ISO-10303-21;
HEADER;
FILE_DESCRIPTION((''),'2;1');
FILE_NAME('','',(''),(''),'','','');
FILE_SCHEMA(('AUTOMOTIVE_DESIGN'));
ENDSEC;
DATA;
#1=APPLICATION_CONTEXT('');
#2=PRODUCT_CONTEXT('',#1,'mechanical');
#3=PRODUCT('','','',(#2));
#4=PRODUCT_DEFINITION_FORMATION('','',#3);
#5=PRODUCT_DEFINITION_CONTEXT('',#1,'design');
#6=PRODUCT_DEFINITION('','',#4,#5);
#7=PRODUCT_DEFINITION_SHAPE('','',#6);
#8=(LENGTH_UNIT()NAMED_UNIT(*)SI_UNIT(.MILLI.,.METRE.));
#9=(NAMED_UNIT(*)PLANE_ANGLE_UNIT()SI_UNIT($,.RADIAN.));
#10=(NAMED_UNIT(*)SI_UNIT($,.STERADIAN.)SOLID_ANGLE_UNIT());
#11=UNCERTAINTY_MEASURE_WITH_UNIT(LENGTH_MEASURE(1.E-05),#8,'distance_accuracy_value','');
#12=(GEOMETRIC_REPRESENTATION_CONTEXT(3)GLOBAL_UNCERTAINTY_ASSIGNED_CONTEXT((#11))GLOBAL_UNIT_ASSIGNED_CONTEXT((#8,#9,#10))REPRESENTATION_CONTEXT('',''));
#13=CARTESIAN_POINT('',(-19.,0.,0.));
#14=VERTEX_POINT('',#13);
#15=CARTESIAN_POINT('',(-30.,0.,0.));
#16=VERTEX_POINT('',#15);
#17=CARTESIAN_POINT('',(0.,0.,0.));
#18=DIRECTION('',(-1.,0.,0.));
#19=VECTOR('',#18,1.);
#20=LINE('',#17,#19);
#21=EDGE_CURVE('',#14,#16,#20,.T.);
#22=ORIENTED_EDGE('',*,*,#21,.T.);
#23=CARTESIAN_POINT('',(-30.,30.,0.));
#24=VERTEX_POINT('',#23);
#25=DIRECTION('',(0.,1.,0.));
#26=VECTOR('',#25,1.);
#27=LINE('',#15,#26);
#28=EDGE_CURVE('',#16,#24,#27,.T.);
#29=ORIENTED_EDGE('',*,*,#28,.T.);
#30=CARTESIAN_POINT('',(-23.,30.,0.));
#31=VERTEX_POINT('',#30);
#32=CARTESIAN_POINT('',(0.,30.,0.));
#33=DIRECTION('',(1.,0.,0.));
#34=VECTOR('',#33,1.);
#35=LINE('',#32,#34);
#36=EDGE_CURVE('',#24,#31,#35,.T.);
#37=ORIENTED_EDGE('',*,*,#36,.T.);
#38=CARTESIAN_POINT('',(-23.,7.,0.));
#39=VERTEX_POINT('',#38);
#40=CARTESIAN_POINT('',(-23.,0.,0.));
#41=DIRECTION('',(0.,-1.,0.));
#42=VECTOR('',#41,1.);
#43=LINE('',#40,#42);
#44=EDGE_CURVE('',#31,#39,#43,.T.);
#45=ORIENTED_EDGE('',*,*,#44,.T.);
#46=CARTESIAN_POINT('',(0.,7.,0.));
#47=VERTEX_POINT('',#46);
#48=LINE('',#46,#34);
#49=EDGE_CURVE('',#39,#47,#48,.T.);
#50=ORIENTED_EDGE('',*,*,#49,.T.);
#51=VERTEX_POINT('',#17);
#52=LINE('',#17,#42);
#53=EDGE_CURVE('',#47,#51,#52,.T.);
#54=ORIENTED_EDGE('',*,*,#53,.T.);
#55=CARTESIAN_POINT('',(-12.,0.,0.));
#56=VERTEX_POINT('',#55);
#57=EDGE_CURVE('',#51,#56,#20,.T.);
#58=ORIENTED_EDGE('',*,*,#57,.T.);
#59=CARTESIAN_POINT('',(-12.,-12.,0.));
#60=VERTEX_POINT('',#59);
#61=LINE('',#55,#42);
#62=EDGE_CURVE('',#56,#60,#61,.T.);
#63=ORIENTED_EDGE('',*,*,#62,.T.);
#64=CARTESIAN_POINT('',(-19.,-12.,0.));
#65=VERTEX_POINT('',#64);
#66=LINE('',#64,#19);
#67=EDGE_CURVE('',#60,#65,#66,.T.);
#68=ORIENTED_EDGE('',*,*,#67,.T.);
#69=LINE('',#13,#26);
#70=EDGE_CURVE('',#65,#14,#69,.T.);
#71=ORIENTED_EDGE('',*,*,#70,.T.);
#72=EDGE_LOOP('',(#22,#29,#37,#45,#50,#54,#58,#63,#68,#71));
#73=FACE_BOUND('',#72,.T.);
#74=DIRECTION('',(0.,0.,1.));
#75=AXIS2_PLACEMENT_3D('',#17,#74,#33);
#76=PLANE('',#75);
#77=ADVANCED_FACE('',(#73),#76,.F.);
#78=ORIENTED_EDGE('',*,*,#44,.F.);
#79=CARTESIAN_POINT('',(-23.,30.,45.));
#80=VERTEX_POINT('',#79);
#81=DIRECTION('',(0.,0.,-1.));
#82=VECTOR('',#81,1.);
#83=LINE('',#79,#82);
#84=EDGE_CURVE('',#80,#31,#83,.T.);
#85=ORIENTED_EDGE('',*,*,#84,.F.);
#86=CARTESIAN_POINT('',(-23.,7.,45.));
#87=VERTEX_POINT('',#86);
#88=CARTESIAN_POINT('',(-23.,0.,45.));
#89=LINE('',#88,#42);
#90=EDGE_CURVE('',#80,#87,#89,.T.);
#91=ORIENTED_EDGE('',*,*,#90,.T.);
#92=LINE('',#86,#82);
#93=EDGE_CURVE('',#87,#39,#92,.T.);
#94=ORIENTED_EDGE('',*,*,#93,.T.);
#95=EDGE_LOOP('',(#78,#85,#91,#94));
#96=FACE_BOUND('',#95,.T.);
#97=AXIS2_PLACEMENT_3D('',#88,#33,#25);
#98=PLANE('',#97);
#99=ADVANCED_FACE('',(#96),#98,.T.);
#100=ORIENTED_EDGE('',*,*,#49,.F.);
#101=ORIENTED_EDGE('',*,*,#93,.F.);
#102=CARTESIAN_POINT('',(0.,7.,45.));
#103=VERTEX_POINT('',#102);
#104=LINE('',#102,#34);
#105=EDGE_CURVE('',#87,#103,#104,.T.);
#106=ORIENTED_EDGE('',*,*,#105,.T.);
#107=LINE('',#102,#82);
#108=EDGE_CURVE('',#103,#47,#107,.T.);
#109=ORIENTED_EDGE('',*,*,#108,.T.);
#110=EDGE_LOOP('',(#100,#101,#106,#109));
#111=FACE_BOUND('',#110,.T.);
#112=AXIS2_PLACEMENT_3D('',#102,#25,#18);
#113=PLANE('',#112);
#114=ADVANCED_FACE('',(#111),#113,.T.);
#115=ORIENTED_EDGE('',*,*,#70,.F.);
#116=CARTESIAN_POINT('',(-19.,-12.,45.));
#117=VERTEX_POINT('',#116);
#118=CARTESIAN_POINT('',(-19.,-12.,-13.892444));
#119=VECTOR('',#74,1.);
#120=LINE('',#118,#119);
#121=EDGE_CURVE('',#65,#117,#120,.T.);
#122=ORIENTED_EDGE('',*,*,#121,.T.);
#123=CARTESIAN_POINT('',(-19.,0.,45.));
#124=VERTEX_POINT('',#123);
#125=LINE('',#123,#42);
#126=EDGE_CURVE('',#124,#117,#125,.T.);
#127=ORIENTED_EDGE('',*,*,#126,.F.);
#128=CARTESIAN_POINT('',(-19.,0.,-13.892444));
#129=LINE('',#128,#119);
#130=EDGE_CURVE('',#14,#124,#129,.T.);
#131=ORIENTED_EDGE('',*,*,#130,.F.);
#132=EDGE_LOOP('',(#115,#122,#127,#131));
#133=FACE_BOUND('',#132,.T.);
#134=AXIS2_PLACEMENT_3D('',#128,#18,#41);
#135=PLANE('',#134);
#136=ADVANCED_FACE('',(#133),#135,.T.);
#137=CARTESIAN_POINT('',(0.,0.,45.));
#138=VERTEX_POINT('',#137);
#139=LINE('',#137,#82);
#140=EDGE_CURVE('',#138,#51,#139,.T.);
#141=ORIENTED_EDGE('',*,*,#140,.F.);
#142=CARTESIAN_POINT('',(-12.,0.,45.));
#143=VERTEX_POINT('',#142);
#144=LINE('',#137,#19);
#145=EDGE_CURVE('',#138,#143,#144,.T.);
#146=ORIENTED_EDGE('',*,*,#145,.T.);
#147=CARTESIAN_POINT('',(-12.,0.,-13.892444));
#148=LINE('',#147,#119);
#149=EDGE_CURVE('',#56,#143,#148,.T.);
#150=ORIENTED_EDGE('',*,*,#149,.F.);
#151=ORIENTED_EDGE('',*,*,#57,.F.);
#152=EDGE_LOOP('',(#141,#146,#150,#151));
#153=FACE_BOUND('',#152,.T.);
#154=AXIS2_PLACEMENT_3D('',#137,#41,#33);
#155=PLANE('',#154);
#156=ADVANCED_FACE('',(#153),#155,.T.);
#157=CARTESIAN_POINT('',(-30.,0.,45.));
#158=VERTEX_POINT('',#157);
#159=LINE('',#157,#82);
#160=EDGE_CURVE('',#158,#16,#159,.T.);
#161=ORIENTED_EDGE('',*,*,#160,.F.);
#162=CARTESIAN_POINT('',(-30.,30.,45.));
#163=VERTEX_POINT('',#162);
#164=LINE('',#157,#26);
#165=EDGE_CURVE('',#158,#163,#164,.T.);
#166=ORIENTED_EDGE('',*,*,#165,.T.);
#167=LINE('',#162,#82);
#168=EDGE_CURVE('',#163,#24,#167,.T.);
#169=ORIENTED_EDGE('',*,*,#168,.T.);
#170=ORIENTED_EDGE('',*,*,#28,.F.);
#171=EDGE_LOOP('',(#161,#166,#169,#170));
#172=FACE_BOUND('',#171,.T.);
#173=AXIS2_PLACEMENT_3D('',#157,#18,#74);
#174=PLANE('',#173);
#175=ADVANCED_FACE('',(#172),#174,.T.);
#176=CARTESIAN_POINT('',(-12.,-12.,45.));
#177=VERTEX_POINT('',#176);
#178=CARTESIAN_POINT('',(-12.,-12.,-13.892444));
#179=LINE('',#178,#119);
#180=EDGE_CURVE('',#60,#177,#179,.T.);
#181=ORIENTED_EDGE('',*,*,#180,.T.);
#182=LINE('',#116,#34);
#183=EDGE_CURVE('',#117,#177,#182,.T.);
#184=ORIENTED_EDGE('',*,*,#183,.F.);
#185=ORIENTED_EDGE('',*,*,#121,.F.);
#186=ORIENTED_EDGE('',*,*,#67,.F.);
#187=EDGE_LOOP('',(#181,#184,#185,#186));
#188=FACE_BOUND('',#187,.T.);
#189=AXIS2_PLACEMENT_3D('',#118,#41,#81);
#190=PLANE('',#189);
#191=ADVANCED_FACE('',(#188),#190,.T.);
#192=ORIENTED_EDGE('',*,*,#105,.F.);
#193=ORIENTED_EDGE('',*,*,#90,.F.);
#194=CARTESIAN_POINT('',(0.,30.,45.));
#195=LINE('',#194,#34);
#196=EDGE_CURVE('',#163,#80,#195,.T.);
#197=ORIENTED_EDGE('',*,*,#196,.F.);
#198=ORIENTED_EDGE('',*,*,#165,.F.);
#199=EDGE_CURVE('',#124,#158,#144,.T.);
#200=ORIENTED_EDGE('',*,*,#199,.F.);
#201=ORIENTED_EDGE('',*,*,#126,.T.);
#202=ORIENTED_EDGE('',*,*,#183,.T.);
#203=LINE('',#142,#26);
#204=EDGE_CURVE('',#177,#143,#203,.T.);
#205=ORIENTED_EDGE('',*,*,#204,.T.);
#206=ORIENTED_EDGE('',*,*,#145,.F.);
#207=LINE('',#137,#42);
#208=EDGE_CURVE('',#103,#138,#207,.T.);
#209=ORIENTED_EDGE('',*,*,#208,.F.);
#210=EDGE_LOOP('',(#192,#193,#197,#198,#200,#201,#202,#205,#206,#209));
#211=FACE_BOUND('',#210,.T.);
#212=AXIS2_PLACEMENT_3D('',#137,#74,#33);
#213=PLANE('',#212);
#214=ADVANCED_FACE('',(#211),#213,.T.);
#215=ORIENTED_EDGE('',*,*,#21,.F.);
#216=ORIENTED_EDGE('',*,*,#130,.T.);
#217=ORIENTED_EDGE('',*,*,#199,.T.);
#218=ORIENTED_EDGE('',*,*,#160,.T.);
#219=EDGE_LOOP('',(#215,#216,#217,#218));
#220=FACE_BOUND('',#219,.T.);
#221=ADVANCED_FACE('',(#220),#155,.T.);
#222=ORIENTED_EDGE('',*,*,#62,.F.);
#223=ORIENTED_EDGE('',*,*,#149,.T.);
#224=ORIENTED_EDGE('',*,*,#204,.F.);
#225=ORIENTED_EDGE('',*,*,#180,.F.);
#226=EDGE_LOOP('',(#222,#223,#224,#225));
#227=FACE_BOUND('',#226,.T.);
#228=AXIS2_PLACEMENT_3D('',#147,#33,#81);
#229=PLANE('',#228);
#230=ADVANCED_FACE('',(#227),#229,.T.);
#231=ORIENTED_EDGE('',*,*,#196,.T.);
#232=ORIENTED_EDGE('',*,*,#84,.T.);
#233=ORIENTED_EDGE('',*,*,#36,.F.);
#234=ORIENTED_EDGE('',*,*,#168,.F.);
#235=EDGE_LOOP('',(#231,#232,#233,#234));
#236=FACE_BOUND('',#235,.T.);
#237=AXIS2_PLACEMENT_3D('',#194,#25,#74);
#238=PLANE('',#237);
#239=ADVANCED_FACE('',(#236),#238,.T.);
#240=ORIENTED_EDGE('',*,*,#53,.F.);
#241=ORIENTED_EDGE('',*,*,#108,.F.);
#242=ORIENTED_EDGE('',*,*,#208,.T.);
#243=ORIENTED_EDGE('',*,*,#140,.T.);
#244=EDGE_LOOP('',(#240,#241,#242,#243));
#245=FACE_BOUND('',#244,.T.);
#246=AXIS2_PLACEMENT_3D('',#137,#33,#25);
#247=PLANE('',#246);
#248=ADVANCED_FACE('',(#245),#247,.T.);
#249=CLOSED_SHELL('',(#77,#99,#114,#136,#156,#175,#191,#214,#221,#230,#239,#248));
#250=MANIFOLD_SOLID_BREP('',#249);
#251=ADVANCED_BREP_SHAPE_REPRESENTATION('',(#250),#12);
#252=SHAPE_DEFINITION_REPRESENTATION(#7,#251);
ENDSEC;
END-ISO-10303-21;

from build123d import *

# Parameters (mm, degrees)
EXTRUDE_1_DEPTH = 45
SKETCH_2_W      = 7
SKETCH_2_H      = 12
EXTRUDE_2_DEPTH = 45


with BuildPart() as part:
    # Эскиз1 → Бобышка-Вытянуть1 (new body)
    with BuildSketch(Plane.XY):
        Polygon((0, 0), (-30, 0), (-30, 30), (-23, 30), (-23, 7), (0, 7), align=None)
    extrude(amount=EXTRUDE_1_DEPTH)

    # Эскиз2 → Бобышка-Вытянуть2 (add)
    with BuildSketch(Plane.XY.offset(45)):
        with Locations((-15.5, -6)):
            Rectangle(SKETCH_2_W, SKETCH_2_H)
    extrude(amount=-EXTRUDE_2_DEPTH)


solid = part.part
